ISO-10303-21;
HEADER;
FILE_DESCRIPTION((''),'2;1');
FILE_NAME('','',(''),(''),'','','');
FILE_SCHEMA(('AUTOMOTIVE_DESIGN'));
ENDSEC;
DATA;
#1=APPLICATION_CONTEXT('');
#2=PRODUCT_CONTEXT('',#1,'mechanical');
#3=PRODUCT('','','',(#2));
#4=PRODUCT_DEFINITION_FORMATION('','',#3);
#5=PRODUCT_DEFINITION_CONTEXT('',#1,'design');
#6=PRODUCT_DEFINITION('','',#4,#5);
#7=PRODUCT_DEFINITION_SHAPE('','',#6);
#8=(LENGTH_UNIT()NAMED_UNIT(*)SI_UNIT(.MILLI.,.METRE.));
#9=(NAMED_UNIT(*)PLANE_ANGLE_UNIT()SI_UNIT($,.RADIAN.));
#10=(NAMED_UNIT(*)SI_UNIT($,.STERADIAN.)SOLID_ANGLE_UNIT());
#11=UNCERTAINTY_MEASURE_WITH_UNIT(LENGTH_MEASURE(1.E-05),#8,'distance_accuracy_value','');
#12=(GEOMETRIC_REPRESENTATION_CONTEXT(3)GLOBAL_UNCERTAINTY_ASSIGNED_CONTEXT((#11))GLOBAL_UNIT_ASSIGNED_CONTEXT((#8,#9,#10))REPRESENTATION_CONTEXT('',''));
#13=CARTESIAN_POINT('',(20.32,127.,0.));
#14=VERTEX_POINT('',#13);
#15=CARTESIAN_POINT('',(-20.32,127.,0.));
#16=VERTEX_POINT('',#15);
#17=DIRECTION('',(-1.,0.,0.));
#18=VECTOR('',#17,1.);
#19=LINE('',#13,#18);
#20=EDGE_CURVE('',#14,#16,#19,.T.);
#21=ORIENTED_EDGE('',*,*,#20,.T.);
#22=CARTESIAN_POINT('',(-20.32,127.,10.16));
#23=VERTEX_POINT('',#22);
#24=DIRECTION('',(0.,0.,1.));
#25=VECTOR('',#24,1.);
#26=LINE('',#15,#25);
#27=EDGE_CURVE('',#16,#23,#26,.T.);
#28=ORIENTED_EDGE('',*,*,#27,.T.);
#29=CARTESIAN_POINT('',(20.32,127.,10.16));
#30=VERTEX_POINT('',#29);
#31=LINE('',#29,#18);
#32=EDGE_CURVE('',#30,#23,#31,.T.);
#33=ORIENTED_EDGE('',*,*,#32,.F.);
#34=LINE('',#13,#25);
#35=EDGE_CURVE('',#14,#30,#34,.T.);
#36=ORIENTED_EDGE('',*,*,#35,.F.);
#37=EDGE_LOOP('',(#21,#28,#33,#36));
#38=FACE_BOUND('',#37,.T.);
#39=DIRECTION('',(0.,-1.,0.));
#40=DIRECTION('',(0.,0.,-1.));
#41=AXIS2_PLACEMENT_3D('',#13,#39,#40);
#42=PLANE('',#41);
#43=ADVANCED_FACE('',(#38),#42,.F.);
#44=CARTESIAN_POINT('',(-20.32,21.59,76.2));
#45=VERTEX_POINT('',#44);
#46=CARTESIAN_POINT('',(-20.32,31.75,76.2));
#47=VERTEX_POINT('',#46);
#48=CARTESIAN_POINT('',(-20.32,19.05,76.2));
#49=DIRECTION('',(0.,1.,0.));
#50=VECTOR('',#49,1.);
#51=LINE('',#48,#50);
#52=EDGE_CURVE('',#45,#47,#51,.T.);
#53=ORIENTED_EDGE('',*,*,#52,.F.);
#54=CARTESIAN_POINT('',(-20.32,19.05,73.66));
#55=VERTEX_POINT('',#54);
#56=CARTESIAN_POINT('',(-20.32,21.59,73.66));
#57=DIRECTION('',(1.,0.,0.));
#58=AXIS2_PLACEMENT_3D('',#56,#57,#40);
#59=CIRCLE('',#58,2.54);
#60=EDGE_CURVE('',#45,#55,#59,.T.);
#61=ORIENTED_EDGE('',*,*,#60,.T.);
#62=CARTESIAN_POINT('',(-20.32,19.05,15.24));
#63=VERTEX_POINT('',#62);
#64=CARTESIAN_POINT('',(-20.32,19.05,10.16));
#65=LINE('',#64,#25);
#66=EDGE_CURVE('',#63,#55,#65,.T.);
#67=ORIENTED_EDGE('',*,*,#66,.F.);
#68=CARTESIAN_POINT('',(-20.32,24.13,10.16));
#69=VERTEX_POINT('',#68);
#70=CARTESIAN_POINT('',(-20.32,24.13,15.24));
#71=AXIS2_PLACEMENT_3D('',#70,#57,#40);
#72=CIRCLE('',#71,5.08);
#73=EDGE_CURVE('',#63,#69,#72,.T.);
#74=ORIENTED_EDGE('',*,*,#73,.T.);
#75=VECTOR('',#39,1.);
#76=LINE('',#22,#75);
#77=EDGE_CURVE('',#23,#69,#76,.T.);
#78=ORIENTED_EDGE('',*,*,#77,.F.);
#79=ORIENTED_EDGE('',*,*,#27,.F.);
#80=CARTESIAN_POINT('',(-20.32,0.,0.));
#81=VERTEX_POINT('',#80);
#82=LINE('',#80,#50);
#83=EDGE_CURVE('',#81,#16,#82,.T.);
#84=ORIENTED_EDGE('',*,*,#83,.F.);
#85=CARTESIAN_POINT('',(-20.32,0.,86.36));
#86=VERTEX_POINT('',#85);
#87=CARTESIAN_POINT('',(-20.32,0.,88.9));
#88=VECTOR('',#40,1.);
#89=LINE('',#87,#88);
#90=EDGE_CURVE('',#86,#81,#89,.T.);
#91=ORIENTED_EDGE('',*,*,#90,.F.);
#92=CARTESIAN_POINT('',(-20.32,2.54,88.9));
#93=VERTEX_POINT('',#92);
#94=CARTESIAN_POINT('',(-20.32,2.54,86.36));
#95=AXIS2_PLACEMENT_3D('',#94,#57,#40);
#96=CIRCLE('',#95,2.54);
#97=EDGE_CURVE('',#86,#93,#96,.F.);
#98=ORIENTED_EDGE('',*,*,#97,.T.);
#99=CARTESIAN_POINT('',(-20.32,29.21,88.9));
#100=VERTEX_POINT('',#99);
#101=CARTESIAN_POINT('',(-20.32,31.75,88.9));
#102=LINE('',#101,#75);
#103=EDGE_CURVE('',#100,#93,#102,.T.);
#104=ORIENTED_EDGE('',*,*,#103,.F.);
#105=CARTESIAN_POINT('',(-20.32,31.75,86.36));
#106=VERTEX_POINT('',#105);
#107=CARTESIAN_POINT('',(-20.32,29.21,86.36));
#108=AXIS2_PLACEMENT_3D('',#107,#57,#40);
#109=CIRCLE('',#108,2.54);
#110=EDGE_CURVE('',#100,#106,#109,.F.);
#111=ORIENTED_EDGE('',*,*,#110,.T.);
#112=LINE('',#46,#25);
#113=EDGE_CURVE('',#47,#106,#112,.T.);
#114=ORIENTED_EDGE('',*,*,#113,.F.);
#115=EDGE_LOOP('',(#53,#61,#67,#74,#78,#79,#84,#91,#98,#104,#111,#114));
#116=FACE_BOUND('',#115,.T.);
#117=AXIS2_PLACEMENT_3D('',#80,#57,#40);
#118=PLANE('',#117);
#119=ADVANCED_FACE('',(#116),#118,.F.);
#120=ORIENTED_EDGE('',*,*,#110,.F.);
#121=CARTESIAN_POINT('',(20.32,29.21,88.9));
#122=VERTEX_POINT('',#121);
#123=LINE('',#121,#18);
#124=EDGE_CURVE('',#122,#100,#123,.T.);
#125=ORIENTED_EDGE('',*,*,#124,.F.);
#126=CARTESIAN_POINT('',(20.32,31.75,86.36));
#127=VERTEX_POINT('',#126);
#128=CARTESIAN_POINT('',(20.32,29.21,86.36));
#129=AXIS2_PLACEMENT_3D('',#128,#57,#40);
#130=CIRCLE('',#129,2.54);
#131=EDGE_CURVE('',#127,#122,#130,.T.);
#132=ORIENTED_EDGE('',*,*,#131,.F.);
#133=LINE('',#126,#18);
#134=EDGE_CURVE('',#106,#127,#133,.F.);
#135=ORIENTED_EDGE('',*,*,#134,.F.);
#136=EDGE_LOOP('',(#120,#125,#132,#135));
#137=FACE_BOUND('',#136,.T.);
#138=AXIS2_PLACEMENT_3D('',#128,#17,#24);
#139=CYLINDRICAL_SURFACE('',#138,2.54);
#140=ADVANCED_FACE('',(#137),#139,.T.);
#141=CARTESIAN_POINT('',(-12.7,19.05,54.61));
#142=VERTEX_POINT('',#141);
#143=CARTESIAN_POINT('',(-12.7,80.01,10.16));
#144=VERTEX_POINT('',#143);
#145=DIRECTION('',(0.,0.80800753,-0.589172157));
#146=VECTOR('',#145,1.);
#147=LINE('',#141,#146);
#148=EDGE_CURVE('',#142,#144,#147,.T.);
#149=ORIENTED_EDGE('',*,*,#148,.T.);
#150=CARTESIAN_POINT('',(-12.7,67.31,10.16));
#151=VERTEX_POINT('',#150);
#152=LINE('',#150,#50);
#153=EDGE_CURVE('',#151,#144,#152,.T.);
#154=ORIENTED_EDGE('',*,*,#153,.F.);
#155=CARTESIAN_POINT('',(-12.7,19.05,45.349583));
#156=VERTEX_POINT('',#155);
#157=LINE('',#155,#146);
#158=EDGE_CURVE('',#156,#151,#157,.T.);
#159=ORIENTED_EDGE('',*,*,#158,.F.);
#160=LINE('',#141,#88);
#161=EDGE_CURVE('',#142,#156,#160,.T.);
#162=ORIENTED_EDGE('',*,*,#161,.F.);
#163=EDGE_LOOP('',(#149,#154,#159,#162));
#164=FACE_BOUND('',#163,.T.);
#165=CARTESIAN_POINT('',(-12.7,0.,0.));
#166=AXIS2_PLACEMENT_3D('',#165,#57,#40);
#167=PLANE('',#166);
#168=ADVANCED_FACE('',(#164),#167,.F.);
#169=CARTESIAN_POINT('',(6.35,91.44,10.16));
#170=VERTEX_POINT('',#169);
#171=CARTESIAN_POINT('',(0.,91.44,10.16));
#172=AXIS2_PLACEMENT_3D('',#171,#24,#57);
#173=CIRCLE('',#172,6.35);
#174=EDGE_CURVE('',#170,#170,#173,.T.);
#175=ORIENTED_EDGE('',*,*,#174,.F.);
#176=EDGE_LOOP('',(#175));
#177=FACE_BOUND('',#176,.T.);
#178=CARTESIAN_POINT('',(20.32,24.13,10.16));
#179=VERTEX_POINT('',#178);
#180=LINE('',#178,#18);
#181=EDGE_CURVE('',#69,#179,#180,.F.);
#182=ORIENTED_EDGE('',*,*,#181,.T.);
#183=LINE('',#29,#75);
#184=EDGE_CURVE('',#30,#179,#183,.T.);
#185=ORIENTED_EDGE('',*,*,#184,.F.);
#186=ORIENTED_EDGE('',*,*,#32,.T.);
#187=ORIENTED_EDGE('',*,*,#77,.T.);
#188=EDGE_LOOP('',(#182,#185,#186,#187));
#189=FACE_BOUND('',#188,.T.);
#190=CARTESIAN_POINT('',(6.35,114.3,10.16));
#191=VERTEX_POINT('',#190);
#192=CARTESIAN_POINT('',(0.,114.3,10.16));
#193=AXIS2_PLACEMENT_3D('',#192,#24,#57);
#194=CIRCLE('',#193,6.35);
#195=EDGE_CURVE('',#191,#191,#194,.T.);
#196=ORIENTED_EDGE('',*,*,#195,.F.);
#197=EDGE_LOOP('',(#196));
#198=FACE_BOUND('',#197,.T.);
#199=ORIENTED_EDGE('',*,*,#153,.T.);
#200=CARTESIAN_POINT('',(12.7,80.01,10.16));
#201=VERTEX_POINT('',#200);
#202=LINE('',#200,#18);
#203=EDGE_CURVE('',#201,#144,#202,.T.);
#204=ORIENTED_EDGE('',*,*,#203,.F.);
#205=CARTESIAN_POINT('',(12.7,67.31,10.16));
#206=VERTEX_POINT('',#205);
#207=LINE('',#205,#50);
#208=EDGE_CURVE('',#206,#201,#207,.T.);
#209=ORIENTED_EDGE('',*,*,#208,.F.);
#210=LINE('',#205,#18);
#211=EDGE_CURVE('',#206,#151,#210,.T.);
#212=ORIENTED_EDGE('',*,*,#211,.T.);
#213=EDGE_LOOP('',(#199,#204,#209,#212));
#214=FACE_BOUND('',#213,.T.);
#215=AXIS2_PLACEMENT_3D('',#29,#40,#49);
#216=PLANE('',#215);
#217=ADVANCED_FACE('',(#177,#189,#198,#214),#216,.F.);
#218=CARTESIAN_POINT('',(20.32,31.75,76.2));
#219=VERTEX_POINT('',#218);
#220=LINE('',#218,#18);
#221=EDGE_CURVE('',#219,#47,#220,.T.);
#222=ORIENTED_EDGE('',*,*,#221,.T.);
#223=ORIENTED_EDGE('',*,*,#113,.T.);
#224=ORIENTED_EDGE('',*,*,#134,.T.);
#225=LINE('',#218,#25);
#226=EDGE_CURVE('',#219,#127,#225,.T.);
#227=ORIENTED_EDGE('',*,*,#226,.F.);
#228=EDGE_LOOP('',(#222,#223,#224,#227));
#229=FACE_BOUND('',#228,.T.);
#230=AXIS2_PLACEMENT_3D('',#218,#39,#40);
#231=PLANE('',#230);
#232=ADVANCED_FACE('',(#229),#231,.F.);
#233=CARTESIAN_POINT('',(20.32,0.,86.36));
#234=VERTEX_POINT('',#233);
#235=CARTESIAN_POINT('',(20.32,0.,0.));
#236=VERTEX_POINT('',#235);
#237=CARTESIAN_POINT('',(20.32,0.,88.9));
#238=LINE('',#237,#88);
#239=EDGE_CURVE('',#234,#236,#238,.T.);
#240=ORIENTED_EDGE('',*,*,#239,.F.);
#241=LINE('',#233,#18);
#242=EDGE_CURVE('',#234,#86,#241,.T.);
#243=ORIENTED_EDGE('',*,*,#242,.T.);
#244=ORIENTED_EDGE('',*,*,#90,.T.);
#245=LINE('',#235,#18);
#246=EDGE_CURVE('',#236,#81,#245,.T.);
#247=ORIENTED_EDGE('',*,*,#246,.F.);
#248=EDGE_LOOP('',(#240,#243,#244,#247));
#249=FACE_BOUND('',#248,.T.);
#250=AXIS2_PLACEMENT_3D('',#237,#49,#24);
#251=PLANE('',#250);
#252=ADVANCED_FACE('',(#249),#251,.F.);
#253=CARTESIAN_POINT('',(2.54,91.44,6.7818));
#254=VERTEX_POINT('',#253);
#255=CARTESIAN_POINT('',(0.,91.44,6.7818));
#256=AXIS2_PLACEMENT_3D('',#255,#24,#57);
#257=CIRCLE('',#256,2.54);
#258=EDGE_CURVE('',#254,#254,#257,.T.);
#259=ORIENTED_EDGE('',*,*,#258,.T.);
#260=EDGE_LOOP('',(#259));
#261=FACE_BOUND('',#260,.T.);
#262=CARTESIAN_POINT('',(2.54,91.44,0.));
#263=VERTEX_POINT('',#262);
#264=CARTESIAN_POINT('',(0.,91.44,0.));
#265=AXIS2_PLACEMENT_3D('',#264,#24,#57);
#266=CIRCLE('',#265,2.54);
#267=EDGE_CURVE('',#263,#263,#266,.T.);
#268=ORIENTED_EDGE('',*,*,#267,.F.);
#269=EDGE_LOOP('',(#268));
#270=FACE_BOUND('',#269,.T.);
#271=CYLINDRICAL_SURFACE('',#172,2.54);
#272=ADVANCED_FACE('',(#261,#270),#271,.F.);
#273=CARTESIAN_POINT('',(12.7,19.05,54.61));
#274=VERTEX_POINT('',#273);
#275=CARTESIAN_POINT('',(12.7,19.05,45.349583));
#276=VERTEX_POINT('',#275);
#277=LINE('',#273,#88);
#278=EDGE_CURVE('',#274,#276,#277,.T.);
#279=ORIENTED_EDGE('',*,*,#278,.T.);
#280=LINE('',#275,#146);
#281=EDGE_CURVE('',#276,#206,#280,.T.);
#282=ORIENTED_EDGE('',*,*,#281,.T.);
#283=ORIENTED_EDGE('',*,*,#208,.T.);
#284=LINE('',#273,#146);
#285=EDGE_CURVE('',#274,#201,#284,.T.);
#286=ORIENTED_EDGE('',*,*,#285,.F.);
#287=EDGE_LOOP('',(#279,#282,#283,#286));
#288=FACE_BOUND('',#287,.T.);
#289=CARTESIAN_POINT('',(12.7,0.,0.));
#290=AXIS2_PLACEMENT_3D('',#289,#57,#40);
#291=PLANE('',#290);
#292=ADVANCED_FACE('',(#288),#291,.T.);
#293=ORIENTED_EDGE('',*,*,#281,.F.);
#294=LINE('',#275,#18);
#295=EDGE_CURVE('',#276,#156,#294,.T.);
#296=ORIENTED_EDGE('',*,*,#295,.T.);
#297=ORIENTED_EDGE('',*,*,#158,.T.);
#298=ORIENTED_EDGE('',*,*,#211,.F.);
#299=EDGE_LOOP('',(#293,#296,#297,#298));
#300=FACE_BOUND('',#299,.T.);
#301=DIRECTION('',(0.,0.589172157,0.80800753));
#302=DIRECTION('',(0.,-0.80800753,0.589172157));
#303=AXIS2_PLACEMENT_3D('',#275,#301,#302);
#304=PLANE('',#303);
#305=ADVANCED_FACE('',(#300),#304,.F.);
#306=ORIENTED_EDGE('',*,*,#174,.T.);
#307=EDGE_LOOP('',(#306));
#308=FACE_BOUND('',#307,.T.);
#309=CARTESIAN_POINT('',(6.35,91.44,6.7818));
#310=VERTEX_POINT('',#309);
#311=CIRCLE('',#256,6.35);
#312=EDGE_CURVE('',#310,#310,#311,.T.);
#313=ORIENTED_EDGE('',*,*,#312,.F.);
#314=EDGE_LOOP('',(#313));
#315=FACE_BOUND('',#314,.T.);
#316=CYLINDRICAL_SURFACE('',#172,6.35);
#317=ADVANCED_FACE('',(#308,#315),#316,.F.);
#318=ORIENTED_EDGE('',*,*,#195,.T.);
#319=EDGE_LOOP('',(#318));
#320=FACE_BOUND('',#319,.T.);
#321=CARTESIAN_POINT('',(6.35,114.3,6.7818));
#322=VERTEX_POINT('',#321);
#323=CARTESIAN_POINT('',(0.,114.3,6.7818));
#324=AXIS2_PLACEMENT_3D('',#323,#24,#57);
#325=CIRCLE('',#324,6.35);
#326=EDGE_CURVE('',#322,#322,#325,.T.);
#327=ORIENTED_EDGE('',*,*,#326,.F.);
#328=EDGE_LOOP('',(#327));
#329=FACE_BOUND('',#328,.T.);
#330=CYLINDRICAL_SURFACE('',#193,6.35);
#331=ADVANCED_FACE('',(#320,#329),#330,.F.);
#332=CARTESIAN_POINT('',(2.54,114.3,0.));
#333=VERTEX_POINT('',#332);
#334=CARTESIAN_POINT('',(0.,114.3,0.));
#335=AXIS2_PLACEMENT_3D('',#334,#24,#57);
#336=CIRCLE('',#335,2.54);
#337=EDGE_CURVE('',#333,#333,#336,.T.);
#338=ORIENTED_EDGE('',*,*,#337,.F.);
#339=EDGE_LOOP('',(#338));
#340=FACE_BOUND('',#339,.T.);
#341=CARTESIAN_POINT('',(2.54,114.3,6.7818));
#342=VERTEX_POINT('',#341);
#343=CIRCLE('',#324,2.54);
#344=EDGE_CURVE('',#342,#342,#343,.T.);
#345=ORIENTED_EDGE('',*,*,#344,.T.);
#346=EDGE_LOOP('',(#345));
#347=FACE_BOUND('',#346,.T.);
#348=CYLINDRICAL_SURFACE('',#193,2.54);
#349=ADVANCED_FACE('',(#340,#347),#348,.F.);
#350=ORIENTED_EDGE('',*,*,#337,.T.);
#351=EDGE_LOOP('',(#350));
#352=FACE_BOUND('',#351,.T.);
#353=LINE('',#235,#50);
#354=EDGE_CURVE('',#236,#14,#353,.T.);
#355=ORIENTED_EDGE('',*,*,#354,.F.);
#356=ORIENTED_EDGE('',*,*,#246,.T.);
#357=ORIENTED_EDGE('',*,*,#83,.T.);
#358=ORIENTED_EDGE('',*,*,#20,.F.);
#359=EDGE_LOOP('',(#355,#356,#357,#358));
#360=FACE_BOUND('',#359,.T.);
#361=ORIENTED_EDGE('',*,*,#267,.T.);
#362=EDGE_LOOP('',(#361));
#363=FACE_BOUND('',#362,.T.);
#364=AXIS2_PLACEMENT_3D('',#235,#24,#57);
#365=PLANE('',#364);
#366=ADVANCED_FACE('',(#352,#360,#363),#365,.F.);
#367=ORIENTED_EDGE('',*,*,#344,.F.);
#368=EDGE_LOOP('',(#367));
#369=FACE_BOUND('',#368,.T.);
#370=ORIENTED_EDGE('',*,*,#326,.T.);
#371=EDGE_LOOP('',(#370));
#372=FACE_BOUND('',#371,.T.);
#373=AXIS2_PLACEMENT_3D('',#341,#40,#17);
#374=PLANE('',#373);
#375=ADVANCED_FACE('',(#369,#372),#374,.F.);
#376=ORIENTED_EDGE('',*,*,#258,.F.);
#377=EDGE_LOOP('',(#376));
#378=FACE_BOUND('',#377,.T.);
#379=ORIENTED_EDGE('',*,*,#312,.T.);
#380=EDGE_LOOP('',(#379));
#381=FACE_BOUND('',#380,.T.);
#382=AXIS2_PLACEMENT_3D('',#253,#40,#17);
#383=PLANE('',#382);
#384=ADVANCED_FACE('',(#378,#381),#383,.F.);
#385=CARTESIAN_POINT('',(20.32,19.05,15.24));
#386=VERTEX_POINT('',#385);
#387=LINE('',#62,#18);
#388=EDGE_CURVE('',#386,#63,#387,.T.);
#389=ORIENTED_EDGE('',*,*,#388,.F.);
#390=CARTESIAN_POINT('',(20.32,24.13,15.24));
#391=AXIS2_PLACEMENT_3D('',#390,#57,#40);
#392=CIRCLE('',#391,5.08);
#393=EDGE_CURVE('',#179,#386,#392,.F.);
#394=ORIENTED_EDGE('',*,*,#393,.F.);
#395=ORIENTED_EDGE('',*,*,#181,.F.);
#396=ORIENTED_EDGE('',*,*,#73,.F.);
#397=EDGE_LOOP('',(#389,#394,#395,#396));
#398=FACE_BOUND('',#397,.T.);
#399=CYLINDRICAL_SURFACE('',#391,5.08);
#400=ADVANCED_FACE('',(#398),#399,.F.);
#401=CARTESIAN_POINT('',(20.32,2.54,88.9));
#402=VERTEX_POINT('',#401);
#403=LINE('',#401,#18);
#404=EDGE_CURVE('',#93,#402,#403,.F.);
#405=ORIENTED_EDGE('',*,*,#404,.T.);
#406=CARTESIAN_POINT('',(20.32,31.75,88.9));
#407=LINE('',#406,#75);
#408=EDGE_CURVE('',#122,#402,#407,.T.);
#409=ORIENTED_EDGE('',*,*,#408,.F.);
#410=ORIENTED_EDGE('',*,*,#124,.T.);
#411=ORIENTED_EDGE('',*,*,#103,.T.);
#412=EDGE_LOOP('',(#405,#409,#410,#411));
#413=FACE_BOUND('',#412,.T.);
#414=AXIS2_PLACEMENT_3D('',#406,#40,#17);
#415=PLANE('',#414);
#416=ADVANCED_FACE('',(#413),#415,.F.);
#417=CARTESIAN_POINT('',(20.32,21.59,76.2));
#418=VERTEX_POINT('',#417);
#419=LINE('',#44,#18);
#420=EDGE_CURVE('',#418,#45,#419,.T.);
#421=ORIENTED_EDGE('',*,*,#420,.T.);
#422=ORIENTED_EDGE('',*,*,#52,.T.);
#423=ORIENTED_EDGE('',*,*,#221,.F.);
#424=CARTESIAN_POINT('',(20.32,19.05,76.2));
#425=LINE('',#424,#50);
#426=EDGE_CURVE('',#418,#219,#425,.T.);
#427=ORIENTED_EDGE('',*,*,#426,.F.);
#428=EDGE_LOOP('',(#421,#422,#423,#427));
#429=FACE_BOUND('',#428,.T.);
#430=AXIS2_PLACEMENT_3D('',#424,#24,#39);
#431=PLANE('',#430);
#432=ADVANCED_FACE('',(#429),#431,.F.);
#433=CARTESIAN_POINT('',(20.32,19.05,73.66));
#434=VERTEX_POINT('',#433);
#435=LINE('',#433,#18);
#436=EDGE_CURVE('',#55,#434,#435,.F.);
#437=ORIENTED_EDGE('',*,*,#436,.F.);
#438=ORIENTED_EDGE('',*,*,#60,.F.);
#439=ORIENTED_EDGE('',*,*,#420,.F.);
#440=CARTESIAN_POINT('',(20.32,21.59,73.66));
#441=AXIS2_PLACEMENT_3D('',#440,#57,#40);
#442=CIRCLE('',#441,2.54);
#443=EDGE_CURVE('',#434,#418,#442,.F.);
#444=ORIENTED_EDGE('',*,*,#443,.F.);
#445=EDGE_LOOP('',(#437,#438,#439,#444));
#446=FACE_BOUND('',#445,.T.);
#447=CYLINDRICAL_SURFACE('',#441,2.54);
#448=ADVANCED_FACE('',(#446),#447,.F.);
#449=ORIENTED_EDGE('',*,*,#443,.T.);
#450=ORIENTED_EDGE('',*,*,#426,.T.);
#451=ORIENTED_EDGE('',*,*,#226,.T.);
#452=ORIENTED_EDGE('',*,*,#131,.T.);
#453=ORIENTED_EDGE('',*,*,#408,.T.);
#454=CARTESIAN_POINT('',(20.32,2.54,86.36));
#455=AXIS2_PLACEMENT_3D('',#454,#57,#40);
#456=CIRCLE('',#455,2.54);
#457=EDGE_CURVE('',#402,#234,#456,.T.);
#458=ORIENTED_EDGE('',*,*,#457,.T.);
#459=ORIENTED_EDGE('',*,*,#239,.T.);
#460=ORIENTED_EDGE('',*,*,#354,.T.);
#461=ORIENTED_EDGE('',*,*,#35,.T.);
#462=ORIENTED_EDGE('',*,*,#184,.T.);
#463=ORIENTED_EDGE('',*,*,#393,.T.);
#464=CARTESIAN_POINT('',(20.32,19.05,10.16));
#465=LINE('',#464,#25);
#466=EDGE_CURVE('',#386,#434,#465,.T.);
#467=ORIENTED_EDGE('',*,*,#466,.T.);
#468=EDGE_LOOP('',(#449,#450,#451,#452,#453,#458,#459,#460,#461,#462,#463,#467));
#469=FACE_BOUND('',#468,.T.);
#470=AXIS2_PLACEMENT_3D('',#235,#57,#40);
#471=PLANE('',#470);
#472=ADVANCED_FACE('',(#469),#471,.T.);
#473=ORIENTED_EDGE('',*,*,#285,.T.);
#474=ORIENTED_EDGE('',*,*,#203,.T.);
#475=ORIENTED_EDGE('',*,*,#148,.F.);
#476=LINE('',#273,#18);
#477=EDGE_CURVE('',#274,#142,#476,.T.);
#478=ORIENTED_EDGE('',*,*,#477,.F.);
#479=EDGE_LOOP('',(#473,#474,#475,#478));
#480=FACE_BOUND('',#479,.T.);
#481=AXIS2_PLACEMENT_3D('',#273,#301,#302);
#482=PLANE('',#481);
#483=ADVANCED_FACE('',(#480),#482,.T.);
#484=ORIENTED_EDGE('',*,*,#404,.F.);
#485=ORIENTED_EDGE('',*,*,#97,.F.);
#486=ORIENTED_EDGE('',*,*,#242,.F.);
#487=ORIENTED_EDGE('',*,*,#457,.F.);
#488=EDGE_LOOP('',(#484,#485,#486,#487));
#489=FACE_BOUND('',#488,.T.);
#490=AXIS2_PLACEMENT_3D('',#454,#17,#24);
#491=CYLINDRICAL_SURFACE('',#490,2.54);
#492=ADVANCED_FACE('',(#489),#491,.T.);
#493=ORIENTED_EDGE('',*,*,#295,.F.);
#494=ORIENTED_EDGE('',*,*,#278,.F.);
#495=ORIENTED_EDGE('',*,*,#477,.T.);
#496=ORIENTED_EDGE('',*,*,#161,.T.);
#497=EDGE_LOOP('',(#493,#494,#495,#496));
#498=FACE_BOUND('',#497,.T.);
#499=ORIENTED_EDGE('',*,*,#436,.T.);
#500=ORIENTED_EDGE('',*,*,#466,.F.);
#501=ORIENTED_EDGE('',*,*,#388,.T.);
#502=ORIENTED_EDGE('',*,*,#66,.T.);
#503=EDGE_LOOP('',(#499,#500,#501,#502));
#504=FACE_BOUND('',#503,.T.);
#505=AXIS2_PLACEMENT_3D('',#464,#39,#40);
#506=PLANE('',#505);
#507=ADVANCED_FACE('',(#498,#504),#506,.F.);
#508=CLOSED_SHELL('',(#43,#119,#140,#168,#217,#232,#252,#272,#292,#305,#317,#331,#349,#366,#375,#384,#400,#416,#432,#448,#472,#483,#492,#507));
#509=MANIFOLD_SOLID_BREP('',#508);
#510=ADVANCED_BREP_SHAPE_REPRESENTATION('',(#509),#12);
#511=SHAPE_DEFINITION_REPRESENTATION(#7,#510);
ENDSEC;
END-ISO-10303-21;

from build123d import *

# Parameters (mm, degrees)
BOSS_EXTRUDE1_DEPTH                              = 20.32
BOSS_EXTRUDE2_DEPTH                              = 12.7
CBORE_FOR_10_PAN_HEAD_MACHINE_SCREW1_D           = 5.08
CBORE_FOR_10_PAN_HEAD_MACHINE_SCREW1_CBORE_D     = 12.7
CBORE_FOR_10_PAN_HEAD_MACHINE_SCREW1_CBORE_DEPTH = 3.3782
FILLET1_R                                        = 5.08
FILLET2_R                                        = 2.54
FILLET3_R                                        = 2.54
FILLET4_R                                        = 2.54


with BuildPart() as part:
    # Sketch1 → Boss-Extrude1 (new, symmetric)
    with BuildSketch(Plane(origin=(0, 0, 0), x_dir=(0, 0, -1), z_dir=(1, 0, 0))):
        Polygon((0, 0), (0, 127), (-10.16, 127), (-10.16, 19.05), (-76.2, 19.05), (-76.2, 31.75), (-88.9, 31.75), (-88.9, 0), align=None)
    extrude(amount=BOSS_EXTRUDE1_DEPTH, both=True)

    # Sketch1<9> → Boss-Extrude2 (add, symmetric)
    with BuildSketch(Plane(origin=(0, 0, 0), x_dir=(0, 0, -1), z_dir=(1, 0, 0))):
        Polygon((-54.61, 19.05), (-10.16, 80.01), (-10.16, 67.31), (-45.349583333, 19.05), align=None)
    extrude(amount=BOSS_EXTRUDE2_DEPTH, both=True)

    # CBORE for #10 Pan Head Machine Screw1 (through all)
    with Locations(Plane.XY.offset(10.16)):
        with Locations((0, 91.44), (0, 114.3)):
            CounterBoreHole(CBORE_FOR_10_PAN_HEAD_MACHINE_SCREW1_D / 2, CBORE_FOR_10_PAN_HEAD_MACHINE_SCREW1_CBORE_D / 2, CBORE_FOR_10_PAN_HEAD_MACHINE_SCREW1_CBORE_DEPTH)

    # Fillet1
    fillet1_edges = [part.edges().sort_by_distance(p)[0] for p in [
        (0, 19.05, 10.16),
    ]]
    fillet(fillet1_edges, radius=FILLET1_R)

    # Fillet2
    fillet2_edges = [part.edges().sort_by_distance(p)[0] for p in [
        (0, 19.05, 76.2),
    ]]
    fillet(fillet2_edges, radius=FILLET2_R)

    # Fillet3
    fillet3_edges = [part.edges().sort_by_distance(p)[0] for p in [
        (0, 0, 88.9),
    ]]
    fillet(fillet3_edges, radius=FILLET3_R)

    # Fillet4
    fillet4_edges = [part.edges().sort_by_distance(p)[0] for p in [
        (0, 31.75, 88.9),
    ]]
    fillet(fillet4_edges, radius=FILLET4_R)


solid = part.part
